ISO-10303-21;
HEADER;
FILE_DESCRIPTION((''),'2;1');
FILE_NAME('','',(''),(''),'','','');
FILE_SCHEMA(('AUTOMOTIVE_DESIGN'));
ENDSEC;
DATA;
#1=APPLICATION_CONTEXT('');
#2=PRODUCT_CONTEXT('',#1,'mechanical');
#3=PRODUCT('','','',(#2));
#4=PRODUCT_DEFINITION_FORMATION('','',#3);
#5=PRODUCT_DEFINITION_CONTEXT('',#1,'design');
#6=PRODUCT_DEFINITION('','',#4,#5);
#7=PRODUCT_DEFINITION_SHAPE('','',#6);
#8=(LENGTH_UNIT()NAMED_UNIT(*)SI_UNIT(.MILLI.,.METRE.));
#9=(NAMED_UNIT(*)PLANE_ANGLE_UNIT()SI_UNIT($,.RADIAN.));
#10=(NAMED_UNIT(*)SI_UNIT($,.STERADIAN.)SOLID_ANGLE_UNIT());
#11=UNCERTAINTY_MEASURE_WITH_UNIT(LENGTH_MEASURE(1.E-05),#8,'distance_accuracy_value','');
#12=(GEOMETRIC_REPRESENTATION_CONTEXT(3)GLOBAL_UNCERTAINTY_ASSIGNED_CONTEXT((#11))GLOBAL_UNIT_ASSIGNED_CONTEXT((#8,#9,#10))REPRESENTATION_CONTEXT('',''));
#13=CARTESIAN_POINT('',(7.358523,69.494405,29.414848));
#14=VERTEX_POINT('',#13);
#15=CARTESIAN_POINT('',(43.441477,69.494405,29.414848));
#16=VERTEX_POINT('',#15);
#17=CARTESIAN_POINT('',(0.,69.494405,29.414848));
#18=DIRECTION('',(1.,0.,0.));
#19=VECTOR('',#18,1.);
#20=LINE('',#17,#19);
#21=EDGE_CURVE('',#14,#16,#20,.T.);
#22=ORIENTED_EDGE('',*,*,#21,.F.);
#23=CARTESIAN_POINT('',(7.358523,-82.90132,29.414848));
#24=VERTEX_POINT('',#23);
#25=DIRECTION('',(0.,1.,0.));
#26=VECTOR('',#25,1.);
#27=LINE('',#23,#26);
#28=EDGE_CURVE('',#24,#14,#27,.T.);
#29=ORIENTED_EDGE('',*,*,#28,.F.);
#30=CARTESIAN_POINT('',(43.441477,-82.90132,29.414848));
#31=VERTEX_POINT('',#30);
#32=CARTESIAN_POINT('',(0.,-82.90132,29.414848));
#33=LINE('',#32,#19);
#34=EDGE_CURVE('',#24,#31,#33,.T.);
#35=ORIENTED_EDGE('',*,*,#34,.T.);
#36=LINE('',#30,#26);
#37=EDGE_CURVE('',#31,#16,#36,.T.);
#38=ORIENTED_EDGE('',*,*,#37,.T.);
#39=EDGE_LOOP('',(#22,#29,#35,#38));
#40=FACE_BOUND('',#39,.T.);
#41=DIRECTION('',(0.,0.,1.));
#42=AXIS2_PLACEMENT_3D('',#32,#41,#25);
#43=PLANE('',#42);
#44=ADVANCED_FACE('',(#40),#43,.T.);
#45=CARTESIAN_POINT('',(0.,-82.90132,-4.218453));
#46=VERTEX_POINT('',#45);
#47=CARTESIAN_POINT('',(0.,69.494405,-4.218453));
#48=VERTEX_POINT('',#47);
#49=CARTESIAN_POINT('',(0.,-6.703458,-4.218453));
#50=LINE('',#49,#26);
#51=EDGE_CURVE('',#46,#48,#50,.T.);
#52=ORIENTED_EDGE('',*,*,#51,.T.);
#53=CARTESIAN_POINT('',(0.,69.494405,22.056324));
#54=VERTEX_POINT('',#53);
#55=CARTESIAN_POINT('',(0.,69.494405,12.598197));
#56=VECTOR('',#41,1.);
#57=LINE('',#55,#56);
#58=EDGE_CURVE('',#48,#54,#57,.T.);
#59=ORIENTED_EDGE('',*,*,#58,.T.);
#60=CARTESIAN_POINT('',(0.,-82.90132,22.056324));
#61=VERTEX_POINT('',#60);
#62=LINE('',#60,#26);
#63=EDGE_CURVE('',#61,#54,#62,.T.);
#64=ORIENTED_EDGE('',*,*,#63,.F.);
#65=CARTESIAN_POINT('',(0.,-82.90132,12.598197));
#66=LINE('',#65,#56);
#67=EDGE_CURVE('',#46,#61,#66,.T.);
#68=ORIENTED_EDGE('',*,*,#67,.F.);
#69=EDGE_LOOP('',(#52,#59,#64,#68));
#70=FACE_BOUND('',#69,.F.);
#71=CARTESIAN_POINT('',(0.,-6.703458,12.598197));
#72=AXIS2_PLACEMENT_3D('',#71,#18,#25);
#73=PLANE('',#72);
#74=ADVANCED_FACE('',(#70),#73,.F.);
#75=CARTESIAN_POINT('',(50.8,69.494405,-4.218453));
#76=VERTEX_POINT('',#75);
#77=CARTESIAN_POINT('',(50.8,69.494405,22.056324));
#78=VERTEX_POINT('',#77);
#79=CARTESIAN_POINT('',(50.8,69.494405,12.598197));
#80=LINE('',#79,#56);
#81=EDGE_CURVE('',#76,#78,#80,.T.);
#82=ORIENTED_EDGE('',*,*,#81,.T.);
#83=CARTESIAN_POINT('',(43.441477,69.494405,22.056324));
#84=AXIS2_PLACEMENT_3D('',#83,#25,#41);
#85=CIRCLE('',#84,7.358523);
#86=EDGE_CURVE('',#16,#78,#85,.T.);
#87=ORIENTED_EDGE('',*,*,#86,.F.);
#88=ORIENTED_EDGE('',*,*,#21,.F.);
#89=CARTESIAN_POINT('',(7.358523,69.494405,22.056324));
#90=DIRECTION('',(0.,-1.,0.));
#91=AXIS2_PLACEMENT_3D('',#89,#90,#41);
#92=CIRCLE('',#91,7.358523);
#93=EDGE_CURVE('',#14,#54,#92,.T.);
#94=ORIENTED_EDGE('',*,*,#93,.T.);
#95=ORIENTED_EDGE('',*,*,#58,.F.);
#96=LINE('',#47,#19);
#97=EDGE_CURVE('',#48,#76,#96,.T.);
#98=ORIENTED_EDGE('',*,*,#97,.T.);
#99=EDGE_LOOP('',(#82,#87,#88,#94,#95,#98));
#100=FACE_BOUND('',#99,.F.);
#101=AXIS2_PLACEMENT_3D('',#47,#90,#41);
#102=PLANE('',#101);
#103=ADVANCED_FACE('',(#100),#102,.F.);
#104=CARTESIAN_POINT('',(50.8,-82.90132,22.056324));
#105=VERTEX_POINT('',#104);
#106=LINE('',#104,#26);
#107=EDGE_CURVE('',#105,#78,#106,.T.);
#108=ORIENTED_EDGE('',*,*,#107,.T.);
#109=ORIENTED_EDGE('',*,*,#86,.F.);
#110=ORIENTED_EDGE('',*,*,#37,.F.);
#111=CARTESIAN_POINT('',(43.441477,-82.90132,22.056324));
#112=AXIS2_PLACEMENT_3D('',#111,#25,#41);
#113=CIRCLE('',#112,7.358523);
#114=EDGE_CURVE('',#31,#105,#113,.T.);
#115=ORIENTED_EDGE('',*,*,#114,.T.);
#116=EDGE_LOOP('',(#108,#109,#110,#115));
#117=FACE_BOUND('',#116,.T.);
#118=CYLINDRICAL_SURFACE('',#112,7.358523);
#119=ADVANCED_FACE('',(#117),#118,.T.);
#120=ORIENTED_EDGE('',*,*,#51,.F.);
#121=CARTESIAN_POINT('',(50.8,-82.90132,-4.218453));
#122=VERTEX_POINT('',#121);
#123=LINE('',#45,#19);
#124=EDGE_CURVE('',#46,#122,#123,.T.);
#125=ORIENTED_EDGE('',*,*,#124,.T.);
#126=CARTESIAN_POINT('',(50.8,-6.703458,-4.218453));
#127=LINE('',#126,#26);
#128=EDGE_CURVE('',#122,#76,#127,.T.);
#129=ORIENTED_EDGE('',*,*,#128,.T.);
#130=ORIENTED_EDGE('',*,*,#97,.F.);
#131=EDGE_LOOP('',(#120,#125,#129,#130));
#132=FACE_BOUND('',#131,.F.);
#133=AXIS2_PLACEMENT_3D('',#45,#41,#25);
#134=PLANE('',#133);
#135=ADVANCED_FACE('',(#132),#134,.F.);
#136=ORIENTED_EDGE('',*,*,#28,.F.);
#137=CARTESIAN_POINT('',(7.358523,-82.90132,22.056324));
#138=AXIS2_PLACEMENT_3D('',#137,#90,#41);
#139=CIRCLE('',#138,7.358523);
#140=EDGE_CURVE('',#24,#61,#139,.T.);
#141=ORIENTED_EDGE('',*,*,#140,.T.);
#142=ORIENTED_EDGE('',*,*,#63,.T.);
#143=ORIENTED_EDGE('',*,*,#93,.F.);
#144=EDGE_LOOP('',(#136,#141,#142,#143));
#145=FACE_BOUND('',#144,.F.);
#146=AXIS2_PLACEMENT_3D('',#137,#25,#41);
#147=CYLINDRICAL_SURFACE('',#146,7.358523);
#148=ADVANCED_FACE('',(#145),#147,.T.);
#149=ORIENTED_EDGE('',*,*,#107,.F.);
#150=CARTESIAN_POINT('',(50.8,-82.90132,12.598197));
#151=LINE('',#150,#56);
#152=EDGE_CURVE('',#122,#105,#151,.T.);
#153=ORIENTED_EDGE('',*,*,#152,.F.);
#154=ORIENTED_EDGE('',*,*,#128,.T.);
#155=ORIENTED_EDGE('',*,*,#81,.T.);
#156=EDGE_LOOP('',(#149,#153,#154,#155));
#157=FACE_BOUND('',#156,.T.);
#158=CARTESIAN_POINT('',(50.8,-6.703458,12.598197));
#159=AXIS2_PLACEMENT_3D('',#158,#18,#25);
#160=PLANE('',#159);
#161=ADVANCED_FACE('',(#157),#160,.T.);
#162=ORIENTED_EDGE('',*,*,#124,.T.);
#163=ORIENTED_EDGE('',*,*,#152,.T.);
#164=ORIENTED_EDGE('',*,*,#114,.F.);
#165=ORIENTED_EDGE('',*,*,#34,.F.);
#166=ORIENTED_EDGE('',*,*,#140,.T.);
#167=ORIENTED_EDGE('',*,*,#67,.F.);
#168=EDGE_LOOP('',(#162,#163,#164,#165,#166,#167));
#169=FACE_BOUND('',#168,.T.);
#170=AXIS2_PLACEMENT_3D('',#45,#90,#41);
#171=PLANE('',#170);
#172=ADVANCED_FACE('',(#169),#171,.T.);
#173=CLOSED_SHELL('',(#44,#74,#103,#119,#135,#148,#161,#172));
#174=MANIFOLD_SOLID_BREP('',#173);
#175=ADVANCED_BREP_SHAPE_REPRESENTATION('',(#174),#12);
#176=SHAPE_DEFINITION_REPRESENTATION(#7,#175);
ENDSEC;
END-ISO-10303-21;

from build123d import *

# Parameters (mm, degrees)
F0_W     = 152.395725
F0_H     = 33.633301
F1_DEPTH = 50.8
F2_R     = 7.358523


with BuildPart() as f1:
    # F0 (on Right) → F1 (new body)
    with BuildSketch(Plane.YZ):
        with Locations((-6.703458, 12.598197)):
            Rectangle(F0_W, F0_H)
    extrude(amount=F1_DEPTH)

    # F2
    f2_edges = [f1.edges().sort_by_distance(p)[0] for p in [
        (50.8, -6.703459, 29.414847),
        (0, -6.703459, 29.414847),
    ]]
    fillet(f2_edges, radius=F2_R)


solid = f1.part
